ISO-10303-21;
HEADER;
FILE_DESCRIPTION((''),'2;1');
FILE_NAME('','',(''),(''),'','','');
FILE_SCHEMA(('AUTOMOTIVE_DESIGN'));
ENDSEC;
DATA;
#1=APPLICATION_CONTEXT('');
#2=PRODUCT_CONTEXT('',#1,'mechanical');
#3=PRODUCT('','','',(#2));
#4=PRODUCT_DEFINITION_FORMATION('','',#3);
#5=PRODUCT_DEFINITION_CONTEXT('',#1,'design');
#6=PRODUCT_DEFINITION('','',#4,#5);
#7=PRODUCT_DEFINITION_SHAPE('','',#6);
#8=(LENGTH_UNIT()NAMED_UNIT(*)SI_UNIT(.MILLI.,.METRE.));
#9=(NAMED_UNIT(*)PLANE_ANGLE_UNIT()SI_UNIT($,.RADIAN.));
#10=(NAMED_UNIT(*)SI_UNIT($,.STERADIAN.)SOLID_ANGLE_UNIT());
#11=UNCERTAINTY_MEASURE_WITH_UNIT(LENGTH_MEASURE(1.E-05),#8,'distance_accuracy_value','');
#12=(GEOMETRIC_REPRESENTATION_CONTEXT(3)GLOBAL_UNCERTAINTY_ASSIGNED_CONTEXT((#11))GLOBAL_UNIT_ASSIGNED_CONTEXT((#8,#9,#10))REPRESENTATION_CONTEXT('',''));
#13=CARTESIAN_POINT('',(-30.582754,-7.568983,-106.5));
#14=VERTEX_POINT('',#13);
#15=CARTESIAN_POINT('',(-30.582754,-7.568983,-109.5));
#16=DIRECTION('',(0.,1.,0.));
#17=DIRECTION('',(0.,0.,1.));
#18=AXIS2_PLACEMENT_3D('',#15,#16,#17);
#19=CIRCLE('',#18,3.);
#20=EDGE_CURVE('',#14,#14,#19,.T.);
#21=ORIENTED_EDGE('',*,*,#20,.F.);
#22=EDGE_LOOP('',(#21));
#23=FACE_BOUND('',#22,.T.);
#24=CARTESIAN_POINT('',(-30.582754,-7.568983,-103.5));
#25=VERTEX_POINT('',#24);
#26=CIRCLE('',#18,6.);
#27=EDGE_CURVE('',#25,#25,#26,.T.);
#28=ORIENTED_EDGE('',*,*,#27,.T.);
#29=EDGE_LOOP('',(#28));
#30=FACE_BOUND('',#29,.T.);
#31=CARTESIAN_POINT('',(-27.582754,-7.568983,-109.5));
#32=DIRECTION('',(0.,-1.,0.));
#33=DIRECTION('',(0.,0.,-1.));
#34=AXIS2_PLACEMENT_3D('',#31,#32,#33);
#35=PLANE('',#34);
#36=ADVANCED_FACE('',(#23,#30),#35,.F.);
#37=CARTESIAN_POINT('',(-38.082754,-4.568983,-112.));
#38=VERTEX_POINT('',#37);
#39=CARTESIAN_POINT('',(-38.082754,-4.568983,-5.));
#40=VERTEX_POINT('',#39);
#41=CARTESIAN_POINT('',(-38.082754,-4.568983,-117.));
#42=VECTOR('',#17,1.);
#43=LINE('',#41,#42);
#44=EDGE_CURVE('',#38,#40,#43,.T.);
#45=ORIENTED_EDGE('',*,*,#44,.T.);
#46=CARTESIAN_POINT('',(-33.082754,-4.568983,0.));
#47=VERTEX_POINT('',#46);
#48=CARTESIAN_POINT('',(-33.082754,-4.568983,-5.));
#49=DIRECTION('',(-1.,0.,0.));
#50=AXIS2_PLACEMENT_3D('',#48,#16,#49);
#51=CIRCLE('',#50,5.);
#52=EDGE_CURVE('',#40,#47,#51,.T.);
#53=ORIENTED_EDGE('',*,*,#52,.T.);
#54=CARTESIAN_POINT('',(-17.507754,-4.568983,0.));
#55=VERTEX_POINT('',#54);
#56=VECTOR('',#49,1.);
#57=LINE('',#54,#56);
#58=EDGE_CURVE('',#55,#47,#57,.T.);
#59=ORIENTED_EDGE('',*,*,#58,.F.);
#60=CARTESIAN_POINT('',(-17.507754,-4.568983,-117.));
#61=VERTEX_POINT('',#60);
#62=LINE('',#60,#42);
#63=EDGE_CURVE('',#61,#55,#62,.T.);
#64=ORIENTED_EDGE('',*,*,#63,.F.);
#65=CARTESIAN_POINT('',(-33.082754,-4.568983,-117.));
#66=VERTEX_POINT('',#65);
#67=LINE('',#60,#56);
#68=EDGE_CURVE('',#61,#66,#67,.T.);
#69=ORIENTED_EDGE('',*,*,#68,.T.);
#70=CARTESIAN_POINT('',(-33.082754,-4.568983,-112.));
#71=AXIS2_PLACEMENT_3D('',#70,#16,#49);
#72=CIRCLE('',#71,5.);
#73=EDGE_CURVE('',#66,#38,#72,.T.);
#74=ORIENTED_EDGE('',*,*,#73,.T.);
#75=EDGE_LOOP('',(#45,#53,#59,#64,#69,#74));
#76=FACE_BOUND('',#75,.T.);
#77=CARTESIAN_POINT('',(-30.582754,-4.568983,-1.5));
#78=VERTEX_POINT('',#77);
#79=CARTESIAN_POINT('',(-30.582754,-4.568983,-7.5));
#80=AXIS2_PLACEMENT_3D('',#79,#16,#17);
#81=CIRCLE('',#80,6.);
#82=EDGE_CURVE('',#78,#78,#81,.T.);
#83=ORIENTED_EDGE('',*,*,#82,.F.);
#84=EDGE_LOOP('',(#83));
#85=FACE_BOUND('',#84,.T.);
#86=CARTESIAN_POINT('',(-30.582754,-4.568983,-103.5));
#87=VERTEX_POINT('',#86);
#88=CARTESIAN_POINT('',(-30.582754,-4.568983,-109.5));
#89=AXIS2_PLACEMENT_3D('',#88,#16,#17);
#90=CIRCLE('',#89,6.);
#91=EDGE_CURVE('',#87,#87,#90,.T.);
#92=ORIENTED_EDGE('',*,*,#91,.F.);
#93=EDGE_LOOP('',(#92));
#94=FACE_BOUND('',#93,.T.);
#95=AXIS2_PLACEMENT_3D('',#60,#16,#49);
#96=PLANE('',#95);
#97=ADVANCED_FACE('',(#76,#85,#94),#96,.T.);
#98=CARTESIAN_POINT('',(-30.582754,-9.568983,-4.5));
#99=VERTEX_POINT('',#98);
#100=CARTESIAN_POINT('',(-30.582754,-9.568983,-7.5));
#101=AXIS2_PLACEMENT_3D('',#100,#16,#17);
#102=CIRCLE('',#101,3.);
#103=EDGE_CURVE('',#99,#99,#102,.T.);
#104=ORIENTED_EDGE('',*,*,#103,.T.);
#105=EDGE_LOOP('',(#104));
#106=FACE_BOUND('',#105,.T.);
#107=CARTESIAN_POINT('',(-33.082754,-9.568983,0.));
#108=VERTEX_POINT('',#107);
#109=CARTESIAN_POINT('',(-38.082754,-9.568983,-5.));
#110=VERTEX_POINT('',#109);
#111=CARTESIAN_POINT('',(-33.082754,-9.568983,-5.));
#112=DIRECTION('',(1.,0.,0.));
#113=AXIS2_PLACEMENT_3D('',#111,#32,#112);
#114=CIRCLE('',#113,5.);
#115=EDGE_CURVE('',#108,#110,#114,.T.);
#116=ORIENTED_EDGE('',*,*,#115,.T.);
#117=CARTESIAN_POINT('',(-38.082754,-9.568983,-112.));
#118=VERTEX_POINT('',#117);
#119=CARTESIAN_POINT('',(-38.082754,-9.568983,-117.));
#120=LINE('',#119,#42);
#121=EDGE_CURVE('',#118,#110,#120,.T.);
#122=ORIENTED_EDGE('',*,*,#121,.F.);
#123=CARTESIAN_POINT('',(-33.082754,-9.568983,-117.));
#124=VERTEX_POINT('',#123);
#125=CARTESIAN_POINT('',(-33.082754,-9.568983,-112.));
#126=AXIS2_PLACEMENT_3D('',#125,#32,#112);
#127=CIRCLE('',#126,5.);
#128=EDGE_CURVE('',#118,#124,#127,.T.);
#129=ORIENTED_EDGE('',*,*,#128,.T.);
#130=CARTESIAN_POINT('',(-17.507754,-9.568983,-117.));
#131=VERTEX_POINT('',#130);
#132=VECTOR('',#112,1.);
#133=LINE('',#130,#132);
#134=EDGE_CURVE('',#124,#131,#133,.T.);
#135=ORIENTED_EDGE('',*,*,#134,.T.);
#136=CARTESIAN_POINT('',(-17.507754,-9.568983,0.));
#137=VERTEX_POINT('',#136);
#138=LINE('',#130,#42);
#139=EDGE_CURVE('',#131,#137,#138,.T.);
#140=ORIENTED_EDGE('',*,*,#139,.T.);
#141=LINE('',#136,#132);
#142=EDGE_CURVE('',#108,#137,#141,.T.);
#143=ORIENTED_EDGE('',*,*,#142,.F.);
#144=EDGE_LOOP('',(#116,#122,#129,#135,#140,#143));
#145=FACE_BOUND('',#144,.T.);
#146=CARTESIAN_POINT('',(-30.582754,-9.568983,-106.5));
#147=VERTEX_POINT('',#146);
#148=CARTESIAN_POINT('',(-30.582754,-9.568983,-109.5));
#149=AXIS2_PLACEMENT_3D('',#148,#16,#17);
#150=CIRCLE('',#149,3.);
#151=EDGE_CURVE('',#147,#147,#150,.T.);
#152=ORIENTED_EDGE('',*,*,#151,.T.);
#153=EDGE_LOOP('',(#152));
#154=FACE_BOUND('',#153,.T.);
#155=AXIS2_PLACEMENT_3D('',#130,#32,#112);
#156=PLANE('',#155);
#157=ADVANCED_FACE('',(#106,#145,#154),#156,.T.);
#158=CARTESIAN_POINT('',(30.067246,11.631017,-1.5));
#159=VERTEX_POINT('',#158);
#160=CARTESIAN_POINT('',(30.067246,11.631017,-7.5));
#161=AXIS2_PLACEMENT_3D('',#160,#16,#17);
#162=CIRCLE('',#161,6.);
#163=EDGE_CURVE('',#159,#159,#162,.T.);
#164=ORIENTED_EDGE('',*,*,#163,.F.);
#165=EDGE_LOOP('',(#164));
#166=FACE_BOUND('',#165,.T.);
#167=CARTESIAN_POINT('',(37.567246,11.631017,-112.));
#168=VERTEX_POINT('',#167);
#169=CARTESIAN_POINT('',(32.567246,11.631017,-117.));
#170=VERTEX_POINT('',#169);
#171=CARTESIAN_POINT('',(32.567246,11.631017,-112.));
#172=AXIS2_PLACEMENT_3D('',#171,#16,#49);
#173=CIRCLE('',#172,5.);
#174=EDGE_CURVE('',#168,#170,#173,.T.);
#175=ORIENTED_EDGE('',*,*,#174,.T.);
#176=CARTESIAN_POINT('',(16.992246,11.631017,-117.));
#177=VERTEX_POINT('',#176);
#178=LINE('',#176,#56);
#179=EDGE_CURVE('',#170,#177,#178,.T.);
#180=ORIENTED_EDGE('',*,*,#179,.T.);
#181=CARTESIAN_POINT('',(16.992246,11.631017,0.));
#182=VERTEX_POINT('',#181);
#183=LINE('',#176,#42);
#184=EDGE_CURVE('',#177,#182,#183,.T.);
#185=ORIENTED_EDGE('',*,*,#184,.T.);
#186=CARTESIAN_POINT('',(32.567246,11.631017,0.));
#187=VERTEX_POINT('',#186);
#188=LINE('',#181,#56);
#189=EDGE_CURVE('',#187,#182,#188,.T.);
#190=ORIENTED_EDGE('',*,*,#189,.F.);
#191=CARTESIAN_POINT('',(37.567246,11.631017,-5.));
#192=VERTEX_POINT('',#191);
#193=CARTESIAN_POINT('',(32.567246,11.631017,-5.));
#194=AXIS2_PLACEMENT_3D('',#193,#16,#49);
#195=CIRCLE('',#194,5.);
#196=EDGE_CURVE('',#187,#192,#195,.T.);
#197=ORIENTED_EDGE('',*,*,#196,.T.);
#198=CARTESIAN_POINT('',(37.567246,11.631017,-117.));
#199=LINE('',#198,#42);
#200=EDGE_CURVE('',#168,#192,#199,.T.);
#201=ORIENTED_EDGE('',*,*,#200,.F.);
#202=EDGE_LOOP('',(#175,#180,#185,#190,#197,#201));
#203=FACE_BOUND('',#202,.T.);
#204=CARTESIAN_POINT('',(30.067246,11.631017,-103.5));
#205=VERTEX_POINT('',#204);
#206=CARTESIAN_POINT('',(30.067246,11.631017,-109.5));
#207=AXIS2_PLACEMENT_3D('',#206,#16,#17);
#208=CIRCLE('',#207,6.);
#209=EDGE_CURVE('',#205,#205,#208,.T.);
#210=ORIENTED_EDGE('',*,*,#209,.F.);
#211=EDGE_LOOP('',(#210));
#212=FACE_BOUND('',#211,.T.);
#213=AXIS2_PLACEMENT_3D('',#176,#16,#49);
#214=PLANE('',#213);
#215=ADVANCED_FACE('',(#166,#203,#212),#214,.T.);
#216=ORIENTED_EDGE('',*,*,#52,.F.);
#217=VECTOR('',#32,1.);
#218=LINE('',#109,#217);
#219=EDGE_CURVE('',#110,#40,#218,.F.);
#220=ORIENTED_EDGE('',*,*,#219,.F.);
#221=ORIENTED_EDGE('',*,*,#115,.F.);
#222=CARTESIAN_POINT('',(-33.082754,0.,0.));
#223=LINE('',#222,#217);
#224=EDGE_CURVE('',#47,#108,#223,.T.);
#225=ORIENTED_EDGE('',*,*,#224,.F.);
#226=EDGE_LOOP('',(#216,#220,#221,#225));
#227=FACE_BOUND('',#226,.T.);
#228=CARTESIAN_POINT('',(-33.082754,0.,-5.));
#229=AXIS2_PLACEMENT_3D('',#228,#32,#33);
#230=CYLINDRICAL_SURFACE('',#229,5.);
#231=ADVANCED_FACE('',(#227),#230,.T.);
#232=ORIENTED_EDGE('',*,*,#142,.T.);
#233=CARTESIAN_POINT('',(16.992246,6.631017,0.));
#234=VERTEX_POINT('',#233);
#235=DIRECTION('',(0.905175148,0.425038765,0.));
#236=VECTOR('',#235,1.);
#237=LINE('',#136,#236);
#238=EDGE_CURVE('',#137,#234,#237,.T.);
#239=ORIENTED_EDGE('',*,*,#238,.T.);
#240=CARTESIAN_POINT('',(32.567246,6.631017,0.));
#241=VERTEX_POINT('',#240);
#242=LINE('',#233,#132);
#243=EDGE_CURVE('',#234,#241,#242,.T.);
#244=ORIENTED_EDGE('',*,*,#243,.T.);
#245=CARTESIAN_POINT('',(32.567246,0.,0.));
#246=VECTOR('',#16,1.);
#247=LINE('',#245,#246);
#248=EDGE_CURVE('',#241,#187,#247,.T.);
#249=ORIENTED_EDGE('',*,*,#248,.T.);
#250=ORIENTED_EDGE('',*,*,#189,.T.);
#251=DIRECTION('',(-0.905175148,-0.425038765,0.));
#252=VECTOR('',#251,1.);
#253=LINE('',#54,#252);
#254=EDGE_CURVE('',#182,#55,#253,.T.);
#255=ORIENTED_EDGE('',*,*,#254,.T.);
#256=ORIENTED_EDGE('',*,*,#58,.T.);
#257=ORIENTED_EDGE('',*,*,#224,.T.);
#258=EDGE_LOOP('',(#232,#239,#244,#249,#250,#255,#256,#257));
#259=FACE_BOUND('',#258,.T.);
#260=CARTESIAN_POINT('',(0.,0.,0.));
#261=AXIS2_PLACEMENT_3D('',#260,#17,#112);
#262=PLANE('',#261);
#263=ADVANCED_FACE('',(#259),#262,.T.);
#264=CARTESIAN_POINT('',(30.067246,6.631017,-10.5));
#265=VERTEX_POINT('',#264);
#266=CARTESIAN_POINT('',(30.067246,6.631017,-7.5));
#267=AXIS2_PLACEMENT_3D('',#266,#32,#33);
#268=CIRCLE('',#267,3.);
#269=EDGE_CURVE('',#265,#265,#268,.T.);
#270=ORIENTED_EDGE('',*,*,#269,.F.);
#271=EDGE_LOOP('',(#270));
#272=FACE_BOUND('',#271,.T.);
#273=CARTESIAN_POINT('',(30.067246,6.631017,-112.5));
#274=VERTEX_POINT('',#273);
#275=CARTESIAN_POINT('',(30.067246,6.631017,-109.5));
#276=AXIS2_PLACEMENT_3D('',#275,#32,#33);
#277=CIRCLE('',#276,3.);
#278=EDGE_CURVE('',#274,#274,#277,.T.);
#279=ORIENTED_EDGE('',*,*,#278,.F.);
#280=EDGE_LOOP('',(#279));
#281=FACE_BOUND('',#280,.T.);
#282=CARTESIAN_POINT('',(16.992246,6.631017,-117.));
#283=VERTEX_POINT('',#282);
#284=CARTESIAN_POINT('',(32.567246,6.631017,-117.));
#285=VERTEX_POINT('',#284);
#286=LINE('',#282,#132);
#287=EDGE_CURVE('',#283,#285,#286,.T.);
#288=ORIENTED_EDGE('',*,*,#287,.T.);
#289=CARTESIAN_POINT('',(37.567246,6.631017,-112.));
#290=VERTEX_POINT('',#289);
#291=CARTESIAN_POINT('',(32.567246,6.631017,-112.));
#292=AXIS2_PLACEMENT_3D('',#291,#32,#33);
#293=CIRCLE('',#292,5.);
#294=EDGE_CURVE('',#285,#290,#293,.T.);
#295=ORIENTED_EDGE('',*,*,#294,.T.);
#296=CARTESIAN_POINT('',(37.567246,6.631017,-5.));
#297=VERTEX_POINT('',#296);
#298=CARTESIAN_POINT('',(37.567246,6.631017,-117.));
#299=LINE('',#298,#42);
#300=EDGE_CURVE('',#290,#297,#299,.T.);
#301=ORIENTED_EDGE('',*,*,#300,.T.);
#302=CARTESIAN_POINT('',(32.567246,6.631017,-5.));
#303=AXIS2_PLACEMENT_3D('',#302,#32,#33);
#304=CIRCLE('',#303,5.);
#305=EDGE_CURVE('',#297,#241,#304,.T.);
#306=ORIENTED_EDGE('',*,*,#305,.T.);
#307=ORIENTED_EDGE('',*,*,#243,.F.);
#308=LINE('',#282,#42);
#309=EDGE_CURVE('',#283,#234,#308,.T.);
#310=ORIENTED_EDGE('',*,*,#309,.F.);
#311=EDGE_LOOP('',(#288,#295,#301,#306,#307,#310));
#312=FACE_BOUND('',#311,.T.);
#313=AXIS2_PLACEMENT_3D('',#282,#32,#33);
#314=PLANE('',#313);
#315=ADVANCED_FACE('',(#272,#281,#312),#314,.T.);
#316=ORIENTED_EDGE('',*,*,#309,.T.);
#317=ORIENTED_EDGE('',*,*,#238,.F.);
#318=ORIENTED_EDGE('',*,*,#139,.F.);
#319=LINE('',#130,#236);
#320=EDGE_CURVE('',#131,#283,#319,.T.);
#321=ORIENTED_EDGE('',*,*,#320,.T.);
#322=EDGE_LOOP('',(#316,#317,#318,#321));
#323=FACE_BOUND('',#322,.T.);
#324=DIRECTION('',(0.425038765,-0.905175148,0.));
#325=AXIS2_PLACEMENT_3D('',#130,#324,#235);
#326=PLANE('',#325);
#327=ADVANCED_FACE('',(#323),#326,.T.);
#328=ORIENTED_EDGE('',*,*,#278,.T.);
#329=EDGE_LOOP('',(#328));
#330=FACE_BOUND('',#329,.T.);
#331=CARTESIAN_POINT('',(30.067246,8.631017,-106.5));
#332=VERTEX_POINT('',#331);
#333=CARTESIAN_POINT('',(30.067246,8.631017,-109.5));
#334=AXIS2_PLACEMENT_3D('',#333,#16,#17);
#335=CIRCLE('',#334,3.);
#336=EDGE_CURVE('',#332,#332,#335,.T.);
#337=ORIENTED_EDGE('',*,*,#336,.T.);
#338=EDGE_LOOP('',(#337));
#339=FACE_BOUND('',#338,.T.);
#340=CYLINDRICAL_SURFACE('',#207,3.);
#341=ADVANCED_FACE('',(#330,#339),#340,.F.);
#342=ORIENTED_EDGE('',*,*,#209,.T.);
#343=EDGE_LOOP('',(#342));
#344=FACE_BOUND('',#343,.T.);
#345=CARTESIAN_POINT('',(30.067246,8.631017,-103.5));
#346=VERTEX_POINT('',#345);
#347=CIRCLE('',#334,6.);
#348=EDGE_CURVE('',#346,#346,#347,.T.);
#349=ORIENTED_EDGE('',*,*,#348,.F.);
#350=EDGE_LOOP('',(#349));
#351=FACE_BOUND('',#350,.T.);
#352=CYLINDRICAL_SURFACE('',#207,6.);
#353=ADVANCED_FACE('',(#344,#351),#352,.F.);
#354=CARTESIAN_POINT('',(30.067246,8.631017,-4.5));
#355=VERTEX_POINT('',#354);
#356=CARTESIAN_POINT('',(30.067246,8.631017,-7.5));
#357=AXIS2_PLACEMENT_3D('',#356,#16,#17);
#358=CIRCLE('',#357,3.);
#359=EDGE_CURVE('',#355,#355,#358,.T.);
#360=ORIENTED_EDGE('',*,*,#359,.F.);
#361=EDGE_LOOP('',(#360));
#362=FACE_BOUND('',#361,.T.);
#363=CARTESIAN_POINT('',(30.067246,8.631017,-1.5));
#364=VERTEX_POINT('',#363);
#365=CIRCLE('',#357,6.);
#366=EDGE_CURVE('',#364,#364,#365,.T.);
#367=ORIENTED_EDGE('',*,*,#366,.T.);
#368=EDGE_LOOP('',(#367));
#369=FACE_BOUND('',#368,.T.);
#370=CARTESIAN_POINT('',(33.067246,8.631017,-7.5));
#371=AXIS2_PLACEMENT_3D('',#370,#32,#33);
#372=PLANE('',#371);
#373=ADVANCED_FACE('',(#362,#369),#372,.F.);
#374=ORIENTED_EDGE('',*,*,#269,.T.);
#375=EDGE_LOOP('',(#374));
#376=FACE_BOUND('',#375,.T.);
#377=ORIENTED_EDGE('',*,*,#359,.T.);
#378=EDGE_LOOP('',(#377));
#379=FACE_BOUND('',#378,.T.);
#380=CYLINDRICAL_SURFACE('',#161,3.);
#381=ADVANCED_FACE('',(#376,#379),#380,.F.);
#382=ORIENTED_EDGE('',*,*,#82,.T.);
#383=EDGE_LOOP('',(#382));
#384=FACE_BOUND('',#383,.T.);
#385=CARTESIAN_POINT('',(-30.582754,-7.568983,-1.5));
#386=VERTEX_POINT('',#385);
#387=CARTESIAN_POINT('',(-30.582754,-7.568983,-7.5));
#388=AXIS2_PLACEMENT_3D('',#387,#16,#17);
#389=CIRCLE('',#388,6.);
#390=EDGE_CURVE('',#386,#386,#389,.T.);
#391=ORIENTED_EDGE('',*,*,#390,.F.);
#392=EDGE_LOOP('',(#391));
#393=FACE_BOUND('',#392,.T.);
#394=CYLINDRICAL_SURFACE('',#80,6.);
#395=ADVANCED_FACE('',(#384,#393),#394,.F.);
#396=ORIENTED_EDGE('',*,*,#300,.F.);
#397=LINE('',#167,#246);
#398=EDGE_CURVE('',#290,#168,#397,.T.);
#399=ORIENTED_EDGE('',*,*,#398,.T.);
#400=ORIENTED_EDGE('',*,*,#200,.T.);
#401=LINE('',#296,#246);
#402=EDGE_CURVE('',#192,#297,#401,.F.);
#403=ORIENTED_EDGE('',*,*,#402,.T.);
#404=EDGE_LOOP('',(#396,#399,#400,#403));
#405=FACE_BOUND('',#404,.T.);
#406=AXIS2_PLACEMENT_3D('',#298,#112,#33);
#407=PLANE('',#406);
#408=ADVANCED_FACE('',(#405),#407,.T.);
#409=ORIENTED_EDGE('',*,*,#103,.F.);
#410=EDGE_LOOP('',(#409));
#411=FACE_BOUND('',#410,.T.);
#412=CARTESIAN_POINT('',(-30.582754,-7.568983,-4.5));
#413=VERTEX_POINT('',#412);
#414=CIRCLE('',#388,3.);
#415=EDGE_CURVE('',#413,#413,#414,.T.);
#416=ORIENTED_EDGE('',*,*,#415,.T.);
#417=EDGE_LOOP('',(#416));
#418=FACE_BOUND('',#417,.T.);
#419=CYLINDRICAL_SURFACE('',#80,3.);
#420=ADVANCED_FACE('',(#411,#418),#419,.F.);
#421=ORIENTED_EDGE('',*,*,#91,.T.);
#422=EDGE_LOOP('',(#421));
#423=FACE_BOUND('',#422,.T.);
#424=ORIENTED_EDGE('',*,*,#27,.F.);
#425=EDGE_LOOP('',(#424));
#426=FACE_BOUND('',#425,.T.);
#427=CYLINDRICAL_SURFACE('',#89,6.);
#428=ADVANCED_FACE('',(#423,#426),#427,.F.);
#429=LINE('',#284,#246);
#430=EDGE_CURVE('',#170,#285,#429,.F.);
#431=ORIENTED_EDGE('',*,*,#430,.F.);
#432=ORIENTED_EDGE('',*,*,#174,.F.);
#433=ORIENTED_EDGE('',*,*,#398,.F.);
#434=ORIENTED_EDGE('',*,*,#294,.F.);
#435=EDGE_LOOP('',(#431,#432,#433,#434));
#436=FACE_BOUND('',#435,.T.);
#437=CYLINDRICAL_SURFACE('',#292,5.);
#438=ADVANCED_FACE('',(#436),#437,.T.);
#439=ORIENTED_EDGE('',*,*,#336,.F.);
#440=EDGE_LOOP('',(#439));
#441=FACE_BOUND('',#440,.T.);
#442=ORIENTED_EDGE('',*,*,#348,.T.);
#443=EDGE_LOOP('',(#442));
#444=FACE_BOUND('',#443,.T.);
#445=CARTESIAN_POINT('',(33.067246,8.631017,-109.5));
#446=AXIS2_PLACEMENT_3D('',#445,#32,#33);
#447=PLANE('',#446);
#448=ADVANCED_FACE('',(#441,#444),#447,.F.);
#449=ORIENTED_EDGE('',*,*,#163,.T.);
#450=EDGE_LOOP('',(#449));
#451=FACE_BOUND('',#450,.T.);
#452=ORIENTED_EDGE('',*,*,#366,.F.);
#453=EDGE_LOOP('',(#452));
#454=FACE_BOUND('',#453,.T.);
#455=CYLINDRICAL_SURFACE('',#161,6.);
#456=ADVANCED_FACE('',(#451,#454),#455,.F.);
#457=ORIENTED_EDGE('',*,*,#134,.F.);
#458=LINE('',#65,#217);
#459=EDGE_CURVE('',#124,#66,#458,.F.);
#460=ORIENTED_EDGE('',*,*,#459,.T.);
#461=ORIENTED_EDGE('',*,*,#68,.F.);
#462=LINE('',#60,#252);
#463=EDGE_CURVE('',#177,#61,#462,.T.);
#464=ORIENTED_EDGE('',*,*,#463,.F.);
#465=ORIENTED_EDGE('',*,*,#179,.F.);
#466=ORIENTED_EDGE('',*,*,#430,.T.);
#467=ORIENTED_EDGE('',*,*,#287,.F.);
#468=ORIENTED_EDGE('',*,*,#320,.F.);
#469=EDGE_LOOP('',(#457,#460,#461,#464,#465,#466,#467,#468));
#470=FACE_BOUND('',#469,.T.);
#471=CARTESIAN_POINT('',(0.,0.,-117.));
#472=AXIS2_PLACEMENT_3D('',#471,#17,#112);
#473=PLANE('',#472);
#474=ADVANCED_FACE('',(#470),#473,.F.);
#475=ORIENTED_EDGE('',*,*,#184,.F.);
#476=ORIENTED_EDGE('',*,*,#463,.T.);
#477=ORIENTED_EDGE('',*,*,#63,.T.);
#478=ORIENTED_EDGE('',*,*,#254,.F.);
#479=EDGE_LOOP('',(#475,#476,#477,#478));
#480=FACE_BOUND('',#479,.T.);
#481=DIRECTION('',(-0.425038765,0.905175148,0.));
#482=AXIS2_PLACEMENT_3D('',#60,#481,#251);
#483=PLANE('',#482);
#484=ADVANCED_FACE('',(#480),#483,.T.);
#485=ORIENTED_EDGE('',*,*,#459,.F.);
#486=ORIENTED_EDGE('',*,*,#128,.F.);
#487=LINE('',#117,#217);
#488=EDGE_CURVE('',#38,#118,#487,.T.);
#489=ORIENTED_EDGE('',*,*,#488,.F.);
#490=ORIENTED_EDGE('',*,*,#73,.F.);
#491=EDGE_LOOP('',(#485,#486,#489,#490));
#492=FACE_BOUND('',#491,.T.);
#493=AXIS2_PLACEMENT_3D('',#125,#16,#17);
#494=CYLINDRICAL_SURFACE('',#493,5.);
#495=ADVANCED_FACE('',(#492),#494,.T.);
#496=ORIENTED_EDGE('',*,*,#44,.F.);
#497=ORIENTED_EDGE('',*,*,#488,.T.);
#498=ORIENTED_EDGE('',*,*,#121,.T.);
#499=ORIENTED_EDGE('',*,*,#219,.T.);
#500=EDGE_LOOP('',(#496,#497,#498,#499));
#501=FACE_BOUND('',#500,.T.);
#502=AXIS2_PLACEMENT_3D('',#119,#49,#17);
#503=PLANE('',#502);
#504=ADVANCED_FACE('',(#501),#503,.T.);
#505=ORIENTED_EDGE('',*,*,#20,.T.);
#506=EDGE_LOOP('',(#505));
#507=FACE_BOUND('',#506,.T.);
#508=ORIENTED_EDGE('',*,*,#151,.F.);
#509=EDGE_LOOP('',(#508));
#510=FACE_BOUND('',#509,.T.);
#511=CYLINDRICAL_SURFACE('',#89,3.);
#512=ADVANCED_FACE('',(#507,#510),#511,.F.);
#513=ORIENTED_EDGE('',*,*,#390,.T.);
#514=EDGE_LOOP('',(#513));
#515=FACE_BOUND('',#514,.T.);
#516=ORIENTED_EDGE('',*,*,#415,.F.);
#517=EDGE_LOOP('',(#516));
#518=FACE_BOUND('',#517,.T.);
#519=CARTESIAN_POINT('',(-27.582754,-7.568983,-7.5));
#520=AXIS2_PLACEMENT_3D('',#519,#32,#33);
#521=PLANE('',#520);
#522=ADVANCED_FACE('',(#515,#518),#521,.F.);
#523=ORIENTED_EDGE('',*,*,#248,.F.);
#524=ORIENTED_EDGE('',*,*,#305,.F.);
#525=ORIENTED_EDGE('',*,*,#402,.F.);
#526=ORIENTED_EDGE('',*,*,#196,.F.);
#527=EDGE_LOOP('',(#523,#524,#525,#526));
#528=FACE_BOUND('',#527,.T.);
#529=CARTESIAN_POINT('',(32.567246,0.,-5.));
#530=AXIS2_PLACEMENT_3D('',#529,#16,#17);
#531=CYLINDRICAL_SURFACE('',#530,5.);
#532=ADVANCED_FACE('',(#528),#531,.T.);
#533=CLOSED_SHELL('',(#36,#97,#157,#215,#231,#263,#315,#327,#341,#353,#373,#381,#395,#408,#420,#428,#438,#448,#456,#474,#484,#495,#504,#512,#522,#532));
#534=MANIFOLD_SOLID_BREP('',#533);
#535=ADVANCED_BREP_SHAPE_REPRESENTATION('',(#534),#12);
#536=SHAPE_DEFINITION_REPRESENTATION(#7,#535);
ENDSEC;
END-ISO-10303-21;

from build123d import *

# Parameters (mm, degrees)
COVER_BODY_DEPTH                        = 117
CBORE_FOR_M6_HEX_HEAD_BOLT1_D           = 6
CBORE_FOR_M6_HEX_HEAD_BOLT1_CBORE_D     = 12
CBORE_FOR_M6_HEX_HEAD_BOLT1_CBORE_DEPTH = 3
CBORE_FOR_M6_HEX_HEAD_BOLT2_D           = 6
CBORE_FOR_M6_HEX_HEAD_BOLT2_CBORE_D     = 12
CBORE_FOR_M6_HEX_HEAD_BOLT2_CBORE_DEPTH = 3
FILLET1_R                               = 5


with BuildPart() as part:
    # Sketch1 → Cover Body (new body)
    with BuildSketch(Plane.XY):
        Polygon((-17.507754177, -4.568983292), (16.992245823, 11.631016708), (37.567245823, 11.631016708), (37.567245823, 6.631016708), (16.992245823, 6.631016708), (-17.507754177, -9.568983292), (-38.082754177, -9.568983292), (-38.082754177, -4.568983292), align=None)
    extrude(amount=-COVER_BODY_DEPTH)

    # CBORE for M6 Hex Head Bolt1 (through all)
    with Locations(Plane(origin=(0, -4.568983292, 0), x_dir=(1, 0, 0), z_dir=(0, 1, 0))):
        with Locations((-30.582754177, 109.5), (-30.582754177, 7.5)):
            CounterBoreHole(CBORE_FOR_M6_HEX_HEAD_BOLT1_D / 2, CBORE_FOR_M6_HEX_HEAD_BOLT1_CBORE_D / 2, CBORE_FOR_M6_HEX_HEAD_BOLT1_CBORE_DEPTH)

    # CBORE for M6 Hex Head Bolt2 (through all)
    with Locations(Plane(origin=(0, 11.631016708, 0), x_dir=(1, 0, 0), z_dir=(0, 1, 0))):
        with Locations((30.067245823, 7.5), (30.067245823, 109.5)):
            CounterBoreHole(CBORE_FOR_M6_HEX_HEAD_BOLT2_D / 2, CBORE_FOR_M6_HEX_HEAD_BOLT2_CBORE_D / 2, CBORE_FOR_M6_HEX_HEAD_BOLT2_CBORE_DEPTH)

    # Fillet1
    fillet1_edges = [part.edges().sort_by_distance(p)[0] for p in [
        (37.567245823, 9.131016708, 0),
        (37.567245823, 9.131016708, -117),
        (-38.082754177, -7.068983292, -117),
        (-38.082754177, -7.068983292, 0),
    ]]
    fillet(fillet1_edges, radius=FILLET1_R)


solid = part.part
